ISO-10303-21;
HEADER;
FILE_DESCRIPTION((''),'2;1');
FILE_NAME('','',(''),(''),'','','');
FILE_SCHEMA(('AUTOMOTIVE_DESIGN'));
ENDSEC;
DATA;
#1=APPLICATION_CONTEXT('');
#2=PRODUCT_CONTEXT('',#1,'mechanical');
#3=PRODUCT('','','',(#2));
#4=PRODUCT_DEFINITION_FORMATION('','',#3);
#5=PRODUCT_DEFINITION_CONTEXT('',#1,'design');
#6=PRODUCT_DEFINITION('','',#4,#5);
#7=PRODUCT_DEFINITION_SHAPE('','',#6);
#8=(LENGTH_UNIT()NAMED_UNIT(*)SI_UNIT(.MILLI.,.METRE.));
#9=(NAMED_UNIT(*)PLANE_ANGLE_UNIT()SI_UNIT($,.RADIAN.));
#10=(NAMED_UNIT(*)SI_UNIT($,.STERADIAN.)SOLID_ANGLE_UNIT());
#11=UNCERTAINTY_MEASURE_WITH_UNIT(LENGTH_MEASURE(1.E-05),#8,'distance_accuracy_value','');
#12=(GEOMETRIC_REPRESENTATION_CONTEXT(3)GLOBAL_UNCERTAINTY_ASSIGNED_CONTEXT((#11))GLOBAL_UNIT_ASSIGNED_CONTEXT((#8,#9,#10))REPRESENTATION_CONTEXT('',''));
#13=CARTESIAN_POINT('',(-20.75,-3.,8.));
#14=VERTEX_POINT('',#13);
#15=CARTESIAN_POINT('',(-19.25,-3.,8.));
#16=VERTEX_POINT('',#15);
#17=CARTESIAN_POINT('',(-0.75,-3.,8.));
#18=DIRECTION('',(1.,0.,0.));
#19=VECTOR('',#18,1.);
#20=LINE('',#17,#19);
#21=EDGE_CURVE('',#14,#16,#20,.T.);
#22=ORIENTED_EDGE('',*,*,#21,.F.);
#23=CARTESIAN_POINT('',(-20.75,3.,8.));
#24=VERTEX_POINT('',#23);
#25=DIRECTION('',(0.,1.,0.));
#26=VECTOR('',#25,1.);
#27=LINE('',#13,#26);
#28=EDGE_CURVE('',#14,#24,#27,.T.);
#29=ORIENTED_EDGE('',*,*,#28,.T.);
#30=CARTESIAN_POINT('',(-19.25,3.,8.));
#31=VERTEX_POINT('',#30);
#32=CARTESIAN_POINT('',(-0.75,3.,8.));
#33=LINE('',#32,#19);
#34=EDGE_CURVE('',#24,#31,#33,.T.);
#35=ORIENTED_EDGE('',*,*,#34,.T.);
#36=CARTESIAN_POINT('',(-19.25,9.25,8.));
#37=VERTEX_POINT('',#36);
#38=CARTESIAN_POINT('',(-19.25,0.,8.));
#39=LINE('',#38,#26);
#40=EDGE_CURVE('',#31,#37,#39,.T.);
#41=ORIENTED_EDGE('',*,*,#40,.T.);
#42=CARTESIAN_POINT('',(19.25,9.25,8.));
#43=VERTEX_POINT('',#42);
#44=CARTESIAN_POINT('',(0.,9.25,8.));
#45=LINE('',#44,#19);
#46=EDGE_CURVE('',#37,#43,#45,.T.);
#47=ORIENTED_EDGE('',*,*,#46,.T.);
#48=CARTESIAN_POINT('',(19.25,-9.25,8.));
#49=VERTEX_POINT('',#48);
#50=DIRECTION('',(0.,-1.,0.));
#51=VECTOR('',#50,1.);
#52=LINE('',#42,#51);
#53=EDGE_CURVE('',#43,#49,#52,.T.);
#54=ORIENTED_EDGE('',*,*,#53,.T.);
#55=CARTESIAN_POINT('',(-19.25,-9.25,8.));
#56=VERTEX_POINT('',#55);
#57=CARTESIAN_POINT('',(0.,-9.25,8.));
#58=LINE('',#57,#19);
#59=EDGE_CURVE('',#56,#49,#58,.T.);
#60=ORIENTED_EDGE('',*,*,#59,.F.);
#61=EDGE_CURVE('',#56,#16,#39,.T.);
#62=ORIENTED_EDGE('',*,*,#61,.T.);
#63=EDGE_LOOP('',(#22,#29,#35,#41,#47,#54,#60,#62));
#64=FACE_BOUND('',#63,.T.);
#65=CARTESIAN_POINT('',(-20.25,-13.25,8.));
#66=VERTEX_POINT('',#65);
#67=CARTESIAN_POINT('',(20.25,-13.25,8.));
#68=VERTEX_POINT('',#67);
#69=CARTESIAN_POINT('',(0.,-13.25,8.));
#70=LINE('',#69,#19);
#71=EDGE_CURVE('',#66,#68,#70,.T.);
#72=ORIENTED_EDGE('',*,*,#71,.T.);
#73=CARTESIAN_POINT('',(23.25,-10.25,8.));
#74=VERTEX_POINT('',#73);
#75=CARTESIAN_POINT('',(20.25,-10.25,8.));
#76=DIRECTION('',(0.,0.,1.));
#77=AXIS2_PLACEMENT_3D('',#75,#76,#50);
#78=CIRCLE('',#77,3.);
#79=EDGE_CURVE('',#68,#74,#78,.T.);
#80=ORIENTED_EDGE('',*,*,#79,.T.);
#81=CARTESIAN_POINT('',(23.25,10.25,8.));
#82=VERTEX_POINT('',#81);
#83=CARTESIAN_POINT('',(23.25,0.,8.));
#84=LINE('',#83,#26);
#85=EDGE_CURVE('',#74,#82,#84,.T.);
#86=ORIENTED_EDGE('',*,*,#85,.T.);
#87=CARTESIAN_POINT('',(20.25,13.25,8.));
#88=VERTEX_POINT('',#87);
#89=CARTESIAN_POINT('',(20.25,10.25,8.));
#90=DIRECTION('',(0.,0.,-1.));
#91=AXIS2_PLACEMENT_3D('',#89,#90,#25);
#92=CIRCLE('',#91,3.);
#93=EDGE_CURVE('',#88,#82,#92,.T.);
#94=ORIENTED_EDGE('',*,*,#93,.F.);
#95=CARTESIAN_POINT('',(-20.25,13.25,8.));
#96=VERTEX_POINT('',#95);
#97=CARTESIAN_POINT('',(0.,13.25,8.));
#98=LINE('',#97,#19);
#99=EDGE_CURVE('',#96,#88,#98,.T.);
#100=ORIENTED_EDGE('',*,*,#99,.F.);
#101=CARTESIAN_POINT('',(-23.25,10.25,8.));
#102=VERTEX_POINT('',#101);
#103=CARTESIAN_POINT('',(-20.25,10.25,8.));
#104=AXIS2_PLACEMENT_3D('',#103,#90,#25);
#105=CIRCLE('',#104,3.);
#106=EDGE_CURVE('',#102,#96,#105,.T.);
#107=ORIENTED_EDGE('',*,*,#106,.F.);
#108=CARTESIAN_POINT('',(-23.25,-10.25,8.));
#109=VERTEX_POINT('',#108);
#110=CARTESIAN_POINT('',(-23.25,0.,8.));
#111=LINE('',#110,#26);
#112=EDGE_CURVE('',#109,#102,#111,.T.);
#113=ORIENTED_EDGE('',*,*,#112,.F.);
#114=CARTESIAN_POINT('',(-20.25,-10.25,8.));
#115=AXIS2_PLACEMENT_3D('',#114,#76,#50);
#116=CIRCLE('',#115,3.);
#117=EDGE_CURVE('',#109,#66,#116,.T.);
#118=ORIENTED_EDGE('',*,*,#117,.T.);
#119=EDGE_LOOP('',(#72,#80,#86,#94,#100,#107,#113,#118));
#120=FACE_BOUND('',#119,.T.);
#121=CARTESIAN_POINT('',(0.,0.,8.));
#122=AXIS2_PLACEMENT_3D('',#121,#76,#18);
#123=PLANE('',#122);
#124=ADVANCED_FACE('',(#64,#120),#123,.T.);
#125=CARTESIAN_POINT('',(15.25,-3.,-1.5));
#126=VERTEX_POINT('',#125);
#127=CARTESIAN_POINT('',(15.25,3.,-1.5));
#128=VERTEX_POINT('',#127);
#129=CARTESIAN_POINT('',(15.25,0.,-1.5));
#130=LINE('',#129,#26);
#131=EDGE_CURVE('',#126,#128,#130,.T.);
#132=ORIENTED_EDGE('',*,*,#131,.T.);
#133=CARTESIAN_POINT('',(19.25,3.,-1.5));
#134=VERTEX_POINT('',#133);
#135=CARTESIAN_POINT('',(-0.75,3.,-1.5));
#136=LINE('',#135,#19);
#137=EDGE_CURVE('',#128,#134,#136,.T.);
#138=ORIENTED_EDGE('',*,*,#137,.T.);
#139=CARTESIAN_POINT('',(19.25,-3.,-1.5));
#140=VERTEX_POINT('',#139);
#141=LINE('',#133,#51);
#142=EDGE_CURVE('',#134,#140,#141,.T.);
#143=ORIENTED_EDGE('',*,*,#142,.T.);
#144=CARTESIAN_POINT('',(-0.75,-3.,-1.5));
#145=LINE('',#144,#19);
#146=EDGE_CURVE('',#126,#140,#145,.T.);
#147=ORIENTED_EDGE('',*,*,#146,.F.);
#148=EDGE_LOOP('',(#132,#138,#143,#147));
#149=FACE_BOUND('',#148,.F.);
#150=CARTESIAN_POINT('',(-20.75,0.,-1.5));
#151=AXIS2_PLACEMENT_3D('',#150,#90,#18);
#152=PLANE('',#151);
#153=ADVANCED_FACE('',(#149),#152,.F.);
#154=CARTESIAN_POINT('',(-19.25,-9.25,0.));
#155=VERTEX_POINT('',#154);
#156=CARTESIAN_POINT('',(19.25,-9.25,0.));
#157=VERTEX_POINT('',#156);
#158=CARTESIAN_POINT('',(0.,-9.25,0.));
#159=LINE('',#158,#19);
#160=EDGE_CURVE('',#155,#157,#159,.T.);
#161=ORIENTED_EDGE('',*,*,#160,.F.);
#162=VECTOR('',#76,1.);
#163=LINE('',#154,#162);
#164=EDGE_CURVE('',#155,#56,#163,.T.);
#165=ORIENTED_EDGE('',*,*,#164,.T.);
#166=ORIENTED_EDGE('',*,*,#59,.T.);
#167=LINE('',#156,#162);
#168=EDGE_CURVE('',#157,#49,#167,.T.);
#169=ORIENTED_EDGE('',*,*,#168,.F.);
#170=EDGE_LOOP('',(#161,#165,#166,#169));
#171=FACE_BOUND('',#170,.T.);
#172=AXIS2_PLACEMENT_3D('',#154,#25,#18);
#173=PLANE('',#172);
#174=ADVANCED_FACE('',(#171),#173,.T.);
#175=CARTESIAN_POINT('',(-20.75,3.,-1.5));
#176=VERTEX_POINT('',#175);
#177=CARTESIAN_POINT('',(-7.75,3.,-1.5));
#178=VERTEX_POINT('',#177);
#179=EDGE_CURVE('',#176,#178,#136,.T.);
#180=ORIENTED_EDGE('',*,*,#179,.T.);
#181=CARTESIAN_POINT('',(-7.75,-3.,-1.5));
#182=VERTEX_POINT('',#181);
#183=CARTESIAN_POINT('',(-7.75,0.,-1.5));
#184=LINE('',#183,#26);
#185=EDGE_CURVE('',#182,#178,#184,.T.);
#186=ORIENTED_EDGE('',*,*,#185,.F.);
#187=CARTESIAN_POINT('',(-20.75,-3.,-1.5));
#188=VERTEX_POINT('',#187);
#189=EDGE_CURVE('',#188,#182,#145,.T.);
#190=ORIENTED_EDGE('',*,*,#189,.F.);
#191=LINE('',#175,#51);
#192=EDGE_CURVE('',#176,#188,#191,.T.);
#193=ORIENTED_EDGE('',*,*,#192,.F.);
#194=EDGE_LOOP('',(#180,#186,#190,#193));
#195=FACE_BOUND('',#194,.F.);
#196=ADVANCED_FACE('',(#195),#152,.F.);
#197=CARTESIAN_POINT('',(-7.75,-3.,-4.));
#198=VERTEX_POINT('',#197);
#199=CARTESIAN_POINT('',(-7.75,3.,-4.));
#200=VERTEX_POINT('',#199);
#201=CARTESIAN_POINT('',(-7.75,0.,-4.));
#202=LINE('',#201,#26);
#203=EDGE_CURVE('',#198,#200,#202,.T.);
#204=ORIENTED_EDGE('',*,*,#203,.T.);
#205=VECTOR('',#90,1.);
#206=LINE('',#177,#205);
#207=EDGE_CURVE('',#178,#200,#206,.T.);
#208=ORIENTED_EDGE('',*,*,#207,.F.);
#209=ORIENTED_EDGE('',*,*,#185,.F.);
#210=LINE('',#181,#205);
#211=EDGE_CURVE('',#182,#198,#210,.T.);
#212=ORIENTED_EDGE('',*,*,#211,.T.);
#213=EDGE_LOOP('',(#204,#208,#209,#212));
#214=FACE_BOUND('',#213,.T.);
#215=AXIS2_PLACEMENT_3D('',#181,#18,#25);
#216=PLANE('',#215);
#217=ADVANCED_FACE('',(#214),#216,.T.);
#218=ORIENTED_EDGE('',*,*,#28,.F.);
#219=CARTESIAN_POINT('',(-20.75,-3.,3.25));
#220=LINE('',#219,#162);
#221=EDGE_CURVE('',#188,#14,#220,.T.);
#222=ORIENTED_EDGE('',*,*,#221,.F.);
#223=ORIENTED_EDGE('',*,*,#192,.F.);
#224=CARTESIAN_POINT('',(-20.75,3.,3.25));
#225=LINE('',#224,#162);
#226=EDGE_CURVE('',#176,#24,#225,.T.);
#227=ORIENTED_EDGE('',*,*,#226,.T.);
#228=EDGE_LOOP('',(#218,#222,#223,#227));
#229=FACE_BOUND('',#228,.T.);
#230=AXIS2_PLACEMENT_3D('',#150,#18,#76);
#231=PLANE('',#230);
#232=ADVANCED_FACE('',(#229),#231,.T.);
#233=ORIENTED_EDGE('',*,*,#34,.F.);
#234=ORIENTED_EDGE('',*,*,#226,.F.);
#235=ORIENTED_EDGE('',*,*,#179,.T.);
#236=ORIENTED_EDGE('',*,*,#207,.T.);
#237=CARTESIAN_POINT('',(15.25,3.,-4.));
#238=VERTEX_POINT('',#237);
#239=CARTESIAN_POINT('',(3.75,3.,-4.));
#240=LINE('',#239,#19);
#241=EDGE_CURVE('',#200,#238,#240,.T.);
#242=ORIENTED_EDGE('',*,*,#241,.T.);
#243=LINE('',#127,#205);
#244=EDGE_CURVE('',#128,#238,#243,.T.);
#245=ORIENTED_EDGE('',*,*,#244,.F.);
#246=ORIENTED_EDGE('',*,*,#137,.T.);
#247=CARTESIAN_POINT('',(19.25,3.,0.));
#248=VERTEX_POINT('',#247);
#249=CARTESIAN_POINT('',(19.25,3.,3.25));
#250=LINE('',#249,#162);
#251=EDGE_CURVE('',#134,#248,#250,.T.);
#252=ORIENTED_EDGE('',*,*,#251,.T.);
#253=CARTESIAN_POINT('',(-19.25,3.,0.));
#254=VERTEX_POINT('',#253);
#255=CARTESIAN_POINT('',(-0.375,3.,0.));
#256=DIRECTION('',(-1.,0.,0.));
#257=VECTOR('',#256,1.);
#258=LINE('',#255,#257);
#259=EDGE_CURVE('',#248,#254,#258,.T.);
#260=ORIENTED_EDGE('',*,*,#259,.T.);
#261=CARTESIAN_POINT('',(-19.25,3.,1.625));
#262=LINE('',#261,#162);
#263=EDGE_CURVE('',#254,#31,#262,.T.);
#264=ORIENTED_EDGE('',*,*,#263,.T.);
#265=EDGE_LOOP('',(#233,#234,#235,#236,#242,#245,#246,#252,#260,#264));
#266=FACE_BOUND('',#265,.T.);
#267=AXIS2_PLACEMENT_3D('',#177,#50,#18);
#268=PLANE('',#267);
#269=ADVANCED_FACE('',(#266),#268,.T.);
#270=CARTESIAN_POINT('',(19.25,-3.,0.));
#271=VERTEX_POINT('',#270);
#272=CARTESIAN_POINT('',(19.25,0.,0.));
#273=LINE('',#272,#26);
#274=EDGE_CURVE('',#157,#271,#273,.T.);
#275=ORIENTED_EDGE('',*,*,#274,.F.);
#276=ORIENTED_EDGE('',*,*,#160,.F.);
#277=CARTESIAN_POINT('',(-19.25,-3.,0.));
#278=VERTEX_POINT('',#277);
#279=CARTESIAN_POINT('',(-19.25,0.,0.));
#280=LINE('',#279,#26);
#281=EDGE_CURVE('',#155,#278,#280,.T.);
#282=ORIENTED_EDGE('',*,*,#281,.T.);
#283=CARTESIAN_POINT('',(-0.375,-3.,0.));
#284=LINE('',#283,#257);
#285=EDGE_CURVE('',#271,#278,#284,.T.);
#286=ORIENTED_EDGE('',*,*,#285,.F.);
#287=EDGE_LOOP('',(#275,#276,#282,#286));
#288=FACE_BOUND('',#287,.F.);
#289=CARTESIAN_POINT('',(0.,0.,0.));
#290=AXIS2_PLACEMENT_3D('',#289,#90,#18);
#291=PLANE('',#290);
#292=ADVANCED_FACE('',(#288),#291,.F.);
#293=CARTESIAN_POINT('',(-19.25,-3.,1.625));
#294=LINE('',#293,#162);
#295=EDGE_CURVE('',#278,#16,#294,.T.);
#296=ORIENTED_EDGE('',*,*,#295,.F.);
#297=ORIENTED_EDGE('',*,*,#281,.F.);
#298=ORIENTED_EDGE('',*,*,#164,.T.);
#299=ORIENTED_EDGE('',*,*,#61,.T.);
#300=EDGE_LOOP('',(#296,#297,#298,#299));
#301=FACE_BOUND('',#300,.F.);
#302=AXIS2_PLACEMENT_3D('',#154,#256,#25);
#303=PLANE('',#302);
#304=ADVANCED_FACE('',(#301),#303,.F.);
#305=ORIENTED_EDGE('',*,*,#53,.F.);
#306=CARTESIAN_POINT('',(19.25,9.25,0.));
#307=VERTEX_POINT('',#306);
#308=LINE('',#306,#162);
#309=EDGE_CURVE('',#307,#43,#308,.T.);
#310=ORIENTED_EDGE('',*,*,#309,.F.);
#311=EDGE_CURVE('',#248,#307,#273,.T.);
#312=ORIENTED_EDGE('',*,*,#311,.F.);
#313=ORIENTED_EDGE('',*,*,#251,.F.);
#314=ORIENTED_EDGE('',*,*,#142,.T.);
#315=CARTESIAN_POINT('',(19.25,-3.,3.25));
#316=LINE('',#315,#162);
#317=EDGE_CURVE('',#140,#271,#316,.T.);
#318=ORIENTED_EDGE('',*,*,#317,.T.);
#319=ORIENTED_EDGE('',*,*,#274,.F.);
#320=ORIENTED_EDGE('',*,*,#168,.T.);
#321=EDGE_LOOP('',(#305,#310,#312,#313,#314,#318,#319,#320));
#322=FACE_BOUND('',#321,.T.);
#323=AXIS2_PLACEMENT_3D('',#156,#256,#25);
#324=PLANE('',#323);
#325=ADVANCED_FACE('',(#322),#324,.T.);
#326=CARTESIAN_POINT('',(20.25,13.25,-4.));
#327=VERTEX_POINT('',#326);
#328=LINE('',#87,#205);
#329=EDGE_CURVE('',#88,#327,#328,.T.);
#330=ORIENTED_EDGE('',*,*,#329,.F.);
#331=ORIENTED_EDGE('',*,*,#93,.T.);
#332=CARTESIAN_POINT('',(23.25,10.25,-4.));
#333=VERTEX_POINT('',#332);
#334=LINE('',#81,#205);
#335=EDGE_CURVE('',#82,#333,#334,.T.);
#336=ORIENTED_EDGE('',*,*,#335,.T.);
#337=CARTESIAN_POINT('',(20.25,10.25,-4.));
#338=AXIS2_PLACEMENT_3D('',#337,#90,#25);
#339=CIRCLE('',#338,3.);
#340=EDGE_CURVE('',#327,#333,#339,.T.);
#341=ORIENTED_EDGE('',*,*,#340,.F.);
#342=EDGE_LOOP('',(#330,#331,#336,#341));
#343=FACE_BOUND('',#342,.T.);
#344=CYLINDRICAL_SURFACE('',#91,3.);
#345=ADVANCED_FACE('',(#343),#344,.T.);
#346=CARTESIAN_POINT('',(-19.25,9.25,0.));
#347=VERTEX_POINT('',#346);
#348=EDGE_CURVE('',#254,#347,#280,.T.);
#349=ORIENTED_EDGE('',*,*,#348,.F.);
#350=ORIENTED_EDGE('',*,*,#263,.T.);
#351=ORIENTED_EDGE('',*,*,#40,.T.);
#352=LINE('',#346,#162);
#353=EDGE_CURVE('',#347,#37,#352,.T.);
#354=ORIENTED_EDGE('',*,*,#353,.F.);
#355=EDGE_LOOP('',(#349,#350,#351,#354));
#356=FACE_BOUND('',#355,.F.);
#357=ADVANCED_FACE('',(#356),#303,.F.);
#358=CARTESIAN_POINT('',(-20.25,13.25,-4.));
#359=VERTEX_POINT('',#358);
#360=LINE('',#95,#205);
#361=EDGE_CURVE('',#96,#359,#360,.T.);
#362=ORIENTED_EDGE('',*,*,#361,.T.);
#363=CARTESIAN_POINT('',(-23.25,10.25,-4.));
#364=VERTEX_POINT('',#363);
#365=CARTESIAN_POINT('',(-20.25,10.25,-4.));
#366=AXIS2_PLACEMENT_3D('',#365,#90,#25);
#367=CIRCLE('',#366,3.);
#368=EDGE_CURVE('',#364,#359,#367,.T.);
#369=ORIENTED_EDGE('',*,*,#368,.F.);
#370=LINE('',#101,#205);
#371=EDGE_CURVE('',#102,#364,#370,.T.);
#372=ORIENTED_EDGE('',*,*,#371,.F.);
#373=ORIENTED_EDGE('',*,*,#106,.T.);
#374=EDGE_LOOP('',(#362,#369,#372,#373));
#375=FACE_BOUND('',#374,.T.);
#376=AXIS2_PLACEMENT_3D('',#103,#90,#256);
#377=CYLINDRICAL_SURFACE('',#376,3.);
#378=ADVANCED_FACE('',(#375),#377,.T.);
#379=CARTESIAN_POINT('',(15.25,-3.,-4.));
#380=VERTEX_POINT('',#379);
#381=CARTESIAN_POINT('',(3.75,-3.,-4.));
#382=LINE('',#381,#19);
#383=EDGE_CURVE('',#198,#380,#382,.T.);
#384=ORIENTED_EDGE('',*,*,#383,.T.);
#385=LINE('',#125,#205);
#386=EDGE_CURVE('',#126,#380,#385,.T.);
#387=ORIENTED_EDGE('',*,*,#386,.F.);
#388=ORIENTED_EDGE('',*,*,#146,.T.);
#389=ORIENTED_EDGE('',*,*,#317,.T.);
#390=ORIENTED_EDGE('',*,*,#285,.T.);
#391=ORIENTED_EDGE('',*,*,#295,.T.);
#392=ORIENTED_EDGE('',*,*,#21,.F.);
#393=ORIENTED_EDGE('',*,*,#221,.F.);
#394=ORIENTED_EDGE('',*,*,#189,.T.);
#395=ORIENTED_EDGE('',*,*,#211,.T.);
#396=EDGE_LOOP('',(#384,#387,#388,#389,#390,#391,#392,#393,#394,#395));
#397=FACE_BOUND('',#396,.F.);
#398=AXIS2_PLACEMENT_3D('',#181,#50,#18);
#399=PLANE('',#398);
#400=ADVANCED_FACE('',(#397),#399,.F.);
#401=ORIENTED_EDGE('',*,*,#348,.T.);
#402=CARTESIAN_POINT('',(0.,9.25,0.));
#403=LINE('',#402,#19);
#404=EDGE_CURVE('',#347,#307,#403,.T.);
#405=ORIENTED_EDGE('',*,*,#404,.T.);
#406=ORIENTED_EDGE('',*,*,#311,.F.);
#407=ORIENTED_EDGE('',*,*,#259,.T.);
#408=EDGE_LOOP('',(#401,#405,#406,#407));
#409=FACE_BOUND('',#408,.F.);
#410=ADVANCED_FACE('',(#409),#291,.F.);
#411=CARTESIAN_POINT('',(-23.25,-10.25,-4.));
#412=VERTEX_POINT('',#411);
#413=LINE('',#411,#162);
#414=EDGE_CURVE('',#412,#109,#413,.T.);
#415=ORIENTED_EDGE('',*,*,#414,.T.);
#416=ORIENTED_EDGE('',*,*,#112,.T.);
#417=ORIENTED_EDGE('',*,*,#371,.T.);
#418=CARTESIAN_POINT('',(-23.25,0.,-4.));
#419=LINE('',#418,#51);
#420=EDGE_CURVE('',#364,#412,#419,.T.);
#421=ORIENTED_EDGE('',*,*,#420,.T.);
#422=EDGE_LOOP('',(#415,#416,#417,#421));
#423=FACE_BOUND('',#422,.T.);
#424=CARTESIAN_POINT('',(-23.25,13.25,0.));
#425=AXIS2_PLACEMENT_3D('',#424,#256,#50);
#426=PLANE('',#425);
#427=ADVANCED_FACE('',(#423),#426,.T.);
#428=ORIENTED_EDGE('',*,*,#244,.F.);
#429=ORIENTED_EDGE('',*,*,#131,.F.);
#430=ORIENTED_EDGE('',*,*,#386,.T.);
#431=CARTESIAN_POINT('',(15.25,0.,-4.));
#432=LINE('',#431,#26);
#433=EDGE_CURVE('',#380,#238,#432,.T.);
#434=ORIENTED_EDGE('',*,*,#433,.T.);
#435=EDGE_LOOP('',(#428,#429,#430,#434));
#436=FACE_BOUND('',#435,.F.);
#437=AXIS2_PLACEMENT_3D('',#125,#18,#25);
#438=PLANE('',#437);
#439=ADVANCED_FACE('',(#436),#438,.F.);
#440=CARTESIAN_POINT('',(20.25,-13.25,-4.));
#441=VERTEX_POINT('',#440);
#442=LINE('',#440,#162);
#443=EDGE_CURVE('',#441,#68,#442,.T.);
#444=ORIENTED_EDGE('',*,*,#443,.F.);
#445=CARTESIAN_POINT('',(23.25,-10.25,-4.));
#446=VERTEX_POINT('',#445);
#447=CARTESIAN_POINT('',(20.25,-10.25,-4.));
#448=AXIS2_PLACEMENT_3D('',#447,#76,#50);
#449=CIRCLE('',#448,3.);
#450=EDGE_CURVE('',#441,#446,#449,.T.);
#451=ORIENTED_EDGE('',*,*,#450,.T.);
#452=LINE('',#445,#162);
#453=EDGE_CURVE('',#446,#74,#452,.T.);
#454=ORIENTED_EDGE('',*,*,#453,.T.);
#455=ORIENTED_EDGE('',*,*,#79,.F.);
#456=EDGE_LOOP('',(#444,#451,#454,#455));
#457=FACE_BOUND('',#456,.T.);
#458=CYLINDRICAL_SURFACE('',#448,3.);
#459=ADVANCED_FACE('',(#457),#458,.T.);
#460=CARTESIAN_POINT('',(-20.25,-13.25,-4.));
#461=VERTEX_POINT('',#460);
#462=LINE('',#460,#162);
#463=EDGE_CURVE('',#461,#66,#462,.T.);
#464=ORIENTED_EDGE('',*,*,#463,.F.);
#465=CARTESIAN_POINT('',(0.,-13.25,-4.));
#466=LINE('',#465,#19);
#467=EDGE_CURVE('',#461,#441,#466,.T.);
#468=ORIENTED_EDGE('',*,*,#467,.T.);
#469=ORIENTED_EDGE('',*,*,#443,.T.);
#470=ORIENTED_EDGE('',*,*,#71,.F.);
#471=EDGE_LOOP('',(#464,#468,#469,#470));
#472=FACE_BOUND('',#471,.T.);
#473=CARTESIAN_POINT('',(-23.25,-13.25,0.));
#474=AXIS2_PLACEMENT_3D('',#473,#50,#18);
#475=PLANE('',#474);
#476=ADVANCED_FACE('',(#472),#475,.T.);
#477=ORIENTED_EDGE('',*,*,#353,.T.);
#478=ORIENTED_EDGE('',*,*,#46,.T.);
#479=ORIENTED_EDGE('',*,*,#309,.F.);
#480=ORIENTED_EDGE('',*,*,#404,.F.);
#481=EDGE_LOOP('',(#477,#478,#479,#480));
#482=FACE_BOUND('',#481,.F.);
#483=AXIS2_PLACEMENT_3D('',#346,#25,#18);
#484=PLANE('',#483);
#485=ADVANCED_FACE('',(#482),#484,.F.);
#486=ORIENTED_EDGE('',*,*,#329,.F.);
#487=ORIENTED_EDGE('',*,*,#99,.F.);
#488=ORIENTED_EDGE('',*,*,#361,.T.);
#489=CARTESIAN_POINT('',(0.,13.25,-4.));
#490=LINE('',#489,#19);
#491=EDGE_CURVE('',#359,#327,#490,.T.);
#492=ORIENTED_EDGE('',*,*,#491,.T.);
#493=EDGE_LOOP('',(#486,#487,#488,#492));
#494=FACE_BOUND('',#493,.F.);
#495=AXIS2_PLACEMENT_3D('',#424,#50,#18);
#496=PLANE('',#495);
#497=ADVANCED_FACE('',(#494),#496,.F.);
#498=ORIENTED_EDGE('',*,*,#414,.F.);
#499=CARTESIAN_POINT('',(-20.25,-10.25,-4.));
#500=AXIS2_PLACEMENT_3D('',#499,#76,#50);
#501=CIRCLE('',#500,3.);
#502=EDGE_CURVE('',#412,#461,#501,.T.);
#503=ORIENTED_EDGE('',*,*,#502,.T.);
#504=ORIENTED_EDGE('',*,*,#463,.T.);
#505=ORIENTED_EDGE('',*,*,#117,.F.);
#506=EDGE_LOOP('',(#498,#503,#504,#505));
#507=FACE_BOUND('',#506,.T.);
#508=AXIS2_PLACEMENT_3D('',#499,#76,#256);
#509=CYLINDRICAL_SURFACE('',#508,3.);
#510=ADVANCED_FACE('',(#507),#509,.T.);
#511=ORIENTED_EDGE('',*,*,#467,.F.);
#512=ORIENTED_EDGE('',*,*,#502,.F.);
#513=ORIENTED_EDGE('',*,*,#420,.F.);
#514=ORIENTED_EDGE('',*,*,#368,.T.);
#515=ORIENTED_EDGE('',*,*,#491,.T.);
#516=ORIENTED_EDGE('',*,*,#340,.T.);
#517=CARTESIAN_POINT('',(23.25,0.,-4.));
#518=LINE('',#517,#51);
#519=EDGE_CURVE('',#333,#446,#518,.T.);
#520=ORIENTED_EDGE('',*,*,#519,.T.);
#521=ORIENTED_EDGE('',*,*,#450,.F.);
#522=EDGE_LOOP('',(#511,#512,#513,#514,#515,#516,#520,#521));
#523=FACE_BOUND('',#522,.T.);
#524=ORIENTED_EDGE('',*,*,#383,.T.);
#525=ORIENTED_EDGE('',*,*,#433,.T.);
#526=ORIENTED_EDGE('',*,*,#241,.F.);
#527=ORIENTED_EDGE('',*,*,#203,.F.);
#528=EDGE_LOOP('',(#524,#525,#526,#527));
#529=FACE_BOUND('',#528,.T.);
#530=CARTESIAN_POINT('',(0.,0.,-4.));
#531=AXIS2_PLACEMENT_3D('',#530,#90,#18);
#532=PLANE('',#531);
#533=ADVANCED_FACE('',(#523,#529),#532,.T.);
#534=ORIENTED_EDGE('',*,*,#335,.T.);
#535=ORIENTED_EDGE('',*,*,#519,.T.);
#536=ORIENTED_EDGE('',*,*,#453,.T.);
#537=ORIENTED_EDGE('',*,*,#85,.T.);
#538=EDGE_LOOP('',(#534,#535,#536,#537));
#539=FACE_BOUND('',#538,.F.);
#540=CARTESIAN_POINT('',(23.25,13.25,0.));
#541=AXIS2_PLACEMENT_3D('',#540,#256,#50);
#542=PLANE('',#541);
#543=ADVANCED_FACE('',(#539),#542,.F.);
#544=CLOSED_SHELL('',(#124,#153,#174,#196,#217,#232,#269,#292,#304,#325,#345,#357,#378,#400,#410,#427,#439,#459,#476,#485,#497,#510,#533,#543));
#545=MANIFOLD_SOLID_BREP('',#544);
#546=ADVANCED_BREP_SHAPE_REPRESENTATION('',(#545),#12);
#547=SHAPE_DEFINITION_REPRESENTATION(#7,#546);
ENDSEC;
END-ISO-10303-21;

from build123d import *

# Parameters (mm, degrees)
F0_W     = 46.5
F0_H     = 26.5
F0_W_2   = 38.5
F0_H_2   = 18.5
F1_DEPTH = 8
F2_W     = 46.5
F2_H     = 26.5
F3_DEPTH = 4
F4_W     = 40
F4_H     = 9.5
F5_DEPTH = 3
F6_W     = 23
F6_H     = 6
F7_DEPTH = 2.5
F8_R     = 3


with BuildPart() as f1:
    # F0 (on Top) → F1 (new body)
    with BuildSketch(Plane.XY):
        Rectangle(F0_W, F0_H)
        Rectangle(F0_W_2, F0_H_2, mode=Mode.SUBTRACT)
    extrude(amount=F1_DEPTH)

    # F2 (on face) → F3 (join)
    with BuildSketch(Plane(origin=(0, 0, 0), x_dir=(1, 0, 0), z_dir=(0, 0, -1))):
        Rectangle(F2_W, F2_H)
    extrude(amount=F3_DEPTH)

    # F4 (on Front) → F5 (cut, symmetric)
    with BuildSketch(Plane.XZ):
        with Locations((-0.75, 3.25)):
            Rectangle(F4_W, F4_H)
    extrude(amount=F5_DEPTH, both=True, mode=Mode.SUBTRACT)

    # F6 (on face) → F7 (cut, through all)
    with BuildSketch(Plane.XY.offset(-1.5)):
        with Locations((3.75, 0)):
            Rectangle(F6_W, F6_H)
    extrude(amount=-F7_DEPTH, mode=Mode.SUBTRACT)

    # F8
    f8_edges = [f1.edges().sort_by_distance(p)[0] for p in [
        (-23.25, -13.25, 2),
        (23.25, -13.25, 2),
        (-23.25, 13.25, 2),
        (23.25, 13.25, 2),
    ]]
    fillet(f8_edges, radius=F8_R)


solid = f1.part
